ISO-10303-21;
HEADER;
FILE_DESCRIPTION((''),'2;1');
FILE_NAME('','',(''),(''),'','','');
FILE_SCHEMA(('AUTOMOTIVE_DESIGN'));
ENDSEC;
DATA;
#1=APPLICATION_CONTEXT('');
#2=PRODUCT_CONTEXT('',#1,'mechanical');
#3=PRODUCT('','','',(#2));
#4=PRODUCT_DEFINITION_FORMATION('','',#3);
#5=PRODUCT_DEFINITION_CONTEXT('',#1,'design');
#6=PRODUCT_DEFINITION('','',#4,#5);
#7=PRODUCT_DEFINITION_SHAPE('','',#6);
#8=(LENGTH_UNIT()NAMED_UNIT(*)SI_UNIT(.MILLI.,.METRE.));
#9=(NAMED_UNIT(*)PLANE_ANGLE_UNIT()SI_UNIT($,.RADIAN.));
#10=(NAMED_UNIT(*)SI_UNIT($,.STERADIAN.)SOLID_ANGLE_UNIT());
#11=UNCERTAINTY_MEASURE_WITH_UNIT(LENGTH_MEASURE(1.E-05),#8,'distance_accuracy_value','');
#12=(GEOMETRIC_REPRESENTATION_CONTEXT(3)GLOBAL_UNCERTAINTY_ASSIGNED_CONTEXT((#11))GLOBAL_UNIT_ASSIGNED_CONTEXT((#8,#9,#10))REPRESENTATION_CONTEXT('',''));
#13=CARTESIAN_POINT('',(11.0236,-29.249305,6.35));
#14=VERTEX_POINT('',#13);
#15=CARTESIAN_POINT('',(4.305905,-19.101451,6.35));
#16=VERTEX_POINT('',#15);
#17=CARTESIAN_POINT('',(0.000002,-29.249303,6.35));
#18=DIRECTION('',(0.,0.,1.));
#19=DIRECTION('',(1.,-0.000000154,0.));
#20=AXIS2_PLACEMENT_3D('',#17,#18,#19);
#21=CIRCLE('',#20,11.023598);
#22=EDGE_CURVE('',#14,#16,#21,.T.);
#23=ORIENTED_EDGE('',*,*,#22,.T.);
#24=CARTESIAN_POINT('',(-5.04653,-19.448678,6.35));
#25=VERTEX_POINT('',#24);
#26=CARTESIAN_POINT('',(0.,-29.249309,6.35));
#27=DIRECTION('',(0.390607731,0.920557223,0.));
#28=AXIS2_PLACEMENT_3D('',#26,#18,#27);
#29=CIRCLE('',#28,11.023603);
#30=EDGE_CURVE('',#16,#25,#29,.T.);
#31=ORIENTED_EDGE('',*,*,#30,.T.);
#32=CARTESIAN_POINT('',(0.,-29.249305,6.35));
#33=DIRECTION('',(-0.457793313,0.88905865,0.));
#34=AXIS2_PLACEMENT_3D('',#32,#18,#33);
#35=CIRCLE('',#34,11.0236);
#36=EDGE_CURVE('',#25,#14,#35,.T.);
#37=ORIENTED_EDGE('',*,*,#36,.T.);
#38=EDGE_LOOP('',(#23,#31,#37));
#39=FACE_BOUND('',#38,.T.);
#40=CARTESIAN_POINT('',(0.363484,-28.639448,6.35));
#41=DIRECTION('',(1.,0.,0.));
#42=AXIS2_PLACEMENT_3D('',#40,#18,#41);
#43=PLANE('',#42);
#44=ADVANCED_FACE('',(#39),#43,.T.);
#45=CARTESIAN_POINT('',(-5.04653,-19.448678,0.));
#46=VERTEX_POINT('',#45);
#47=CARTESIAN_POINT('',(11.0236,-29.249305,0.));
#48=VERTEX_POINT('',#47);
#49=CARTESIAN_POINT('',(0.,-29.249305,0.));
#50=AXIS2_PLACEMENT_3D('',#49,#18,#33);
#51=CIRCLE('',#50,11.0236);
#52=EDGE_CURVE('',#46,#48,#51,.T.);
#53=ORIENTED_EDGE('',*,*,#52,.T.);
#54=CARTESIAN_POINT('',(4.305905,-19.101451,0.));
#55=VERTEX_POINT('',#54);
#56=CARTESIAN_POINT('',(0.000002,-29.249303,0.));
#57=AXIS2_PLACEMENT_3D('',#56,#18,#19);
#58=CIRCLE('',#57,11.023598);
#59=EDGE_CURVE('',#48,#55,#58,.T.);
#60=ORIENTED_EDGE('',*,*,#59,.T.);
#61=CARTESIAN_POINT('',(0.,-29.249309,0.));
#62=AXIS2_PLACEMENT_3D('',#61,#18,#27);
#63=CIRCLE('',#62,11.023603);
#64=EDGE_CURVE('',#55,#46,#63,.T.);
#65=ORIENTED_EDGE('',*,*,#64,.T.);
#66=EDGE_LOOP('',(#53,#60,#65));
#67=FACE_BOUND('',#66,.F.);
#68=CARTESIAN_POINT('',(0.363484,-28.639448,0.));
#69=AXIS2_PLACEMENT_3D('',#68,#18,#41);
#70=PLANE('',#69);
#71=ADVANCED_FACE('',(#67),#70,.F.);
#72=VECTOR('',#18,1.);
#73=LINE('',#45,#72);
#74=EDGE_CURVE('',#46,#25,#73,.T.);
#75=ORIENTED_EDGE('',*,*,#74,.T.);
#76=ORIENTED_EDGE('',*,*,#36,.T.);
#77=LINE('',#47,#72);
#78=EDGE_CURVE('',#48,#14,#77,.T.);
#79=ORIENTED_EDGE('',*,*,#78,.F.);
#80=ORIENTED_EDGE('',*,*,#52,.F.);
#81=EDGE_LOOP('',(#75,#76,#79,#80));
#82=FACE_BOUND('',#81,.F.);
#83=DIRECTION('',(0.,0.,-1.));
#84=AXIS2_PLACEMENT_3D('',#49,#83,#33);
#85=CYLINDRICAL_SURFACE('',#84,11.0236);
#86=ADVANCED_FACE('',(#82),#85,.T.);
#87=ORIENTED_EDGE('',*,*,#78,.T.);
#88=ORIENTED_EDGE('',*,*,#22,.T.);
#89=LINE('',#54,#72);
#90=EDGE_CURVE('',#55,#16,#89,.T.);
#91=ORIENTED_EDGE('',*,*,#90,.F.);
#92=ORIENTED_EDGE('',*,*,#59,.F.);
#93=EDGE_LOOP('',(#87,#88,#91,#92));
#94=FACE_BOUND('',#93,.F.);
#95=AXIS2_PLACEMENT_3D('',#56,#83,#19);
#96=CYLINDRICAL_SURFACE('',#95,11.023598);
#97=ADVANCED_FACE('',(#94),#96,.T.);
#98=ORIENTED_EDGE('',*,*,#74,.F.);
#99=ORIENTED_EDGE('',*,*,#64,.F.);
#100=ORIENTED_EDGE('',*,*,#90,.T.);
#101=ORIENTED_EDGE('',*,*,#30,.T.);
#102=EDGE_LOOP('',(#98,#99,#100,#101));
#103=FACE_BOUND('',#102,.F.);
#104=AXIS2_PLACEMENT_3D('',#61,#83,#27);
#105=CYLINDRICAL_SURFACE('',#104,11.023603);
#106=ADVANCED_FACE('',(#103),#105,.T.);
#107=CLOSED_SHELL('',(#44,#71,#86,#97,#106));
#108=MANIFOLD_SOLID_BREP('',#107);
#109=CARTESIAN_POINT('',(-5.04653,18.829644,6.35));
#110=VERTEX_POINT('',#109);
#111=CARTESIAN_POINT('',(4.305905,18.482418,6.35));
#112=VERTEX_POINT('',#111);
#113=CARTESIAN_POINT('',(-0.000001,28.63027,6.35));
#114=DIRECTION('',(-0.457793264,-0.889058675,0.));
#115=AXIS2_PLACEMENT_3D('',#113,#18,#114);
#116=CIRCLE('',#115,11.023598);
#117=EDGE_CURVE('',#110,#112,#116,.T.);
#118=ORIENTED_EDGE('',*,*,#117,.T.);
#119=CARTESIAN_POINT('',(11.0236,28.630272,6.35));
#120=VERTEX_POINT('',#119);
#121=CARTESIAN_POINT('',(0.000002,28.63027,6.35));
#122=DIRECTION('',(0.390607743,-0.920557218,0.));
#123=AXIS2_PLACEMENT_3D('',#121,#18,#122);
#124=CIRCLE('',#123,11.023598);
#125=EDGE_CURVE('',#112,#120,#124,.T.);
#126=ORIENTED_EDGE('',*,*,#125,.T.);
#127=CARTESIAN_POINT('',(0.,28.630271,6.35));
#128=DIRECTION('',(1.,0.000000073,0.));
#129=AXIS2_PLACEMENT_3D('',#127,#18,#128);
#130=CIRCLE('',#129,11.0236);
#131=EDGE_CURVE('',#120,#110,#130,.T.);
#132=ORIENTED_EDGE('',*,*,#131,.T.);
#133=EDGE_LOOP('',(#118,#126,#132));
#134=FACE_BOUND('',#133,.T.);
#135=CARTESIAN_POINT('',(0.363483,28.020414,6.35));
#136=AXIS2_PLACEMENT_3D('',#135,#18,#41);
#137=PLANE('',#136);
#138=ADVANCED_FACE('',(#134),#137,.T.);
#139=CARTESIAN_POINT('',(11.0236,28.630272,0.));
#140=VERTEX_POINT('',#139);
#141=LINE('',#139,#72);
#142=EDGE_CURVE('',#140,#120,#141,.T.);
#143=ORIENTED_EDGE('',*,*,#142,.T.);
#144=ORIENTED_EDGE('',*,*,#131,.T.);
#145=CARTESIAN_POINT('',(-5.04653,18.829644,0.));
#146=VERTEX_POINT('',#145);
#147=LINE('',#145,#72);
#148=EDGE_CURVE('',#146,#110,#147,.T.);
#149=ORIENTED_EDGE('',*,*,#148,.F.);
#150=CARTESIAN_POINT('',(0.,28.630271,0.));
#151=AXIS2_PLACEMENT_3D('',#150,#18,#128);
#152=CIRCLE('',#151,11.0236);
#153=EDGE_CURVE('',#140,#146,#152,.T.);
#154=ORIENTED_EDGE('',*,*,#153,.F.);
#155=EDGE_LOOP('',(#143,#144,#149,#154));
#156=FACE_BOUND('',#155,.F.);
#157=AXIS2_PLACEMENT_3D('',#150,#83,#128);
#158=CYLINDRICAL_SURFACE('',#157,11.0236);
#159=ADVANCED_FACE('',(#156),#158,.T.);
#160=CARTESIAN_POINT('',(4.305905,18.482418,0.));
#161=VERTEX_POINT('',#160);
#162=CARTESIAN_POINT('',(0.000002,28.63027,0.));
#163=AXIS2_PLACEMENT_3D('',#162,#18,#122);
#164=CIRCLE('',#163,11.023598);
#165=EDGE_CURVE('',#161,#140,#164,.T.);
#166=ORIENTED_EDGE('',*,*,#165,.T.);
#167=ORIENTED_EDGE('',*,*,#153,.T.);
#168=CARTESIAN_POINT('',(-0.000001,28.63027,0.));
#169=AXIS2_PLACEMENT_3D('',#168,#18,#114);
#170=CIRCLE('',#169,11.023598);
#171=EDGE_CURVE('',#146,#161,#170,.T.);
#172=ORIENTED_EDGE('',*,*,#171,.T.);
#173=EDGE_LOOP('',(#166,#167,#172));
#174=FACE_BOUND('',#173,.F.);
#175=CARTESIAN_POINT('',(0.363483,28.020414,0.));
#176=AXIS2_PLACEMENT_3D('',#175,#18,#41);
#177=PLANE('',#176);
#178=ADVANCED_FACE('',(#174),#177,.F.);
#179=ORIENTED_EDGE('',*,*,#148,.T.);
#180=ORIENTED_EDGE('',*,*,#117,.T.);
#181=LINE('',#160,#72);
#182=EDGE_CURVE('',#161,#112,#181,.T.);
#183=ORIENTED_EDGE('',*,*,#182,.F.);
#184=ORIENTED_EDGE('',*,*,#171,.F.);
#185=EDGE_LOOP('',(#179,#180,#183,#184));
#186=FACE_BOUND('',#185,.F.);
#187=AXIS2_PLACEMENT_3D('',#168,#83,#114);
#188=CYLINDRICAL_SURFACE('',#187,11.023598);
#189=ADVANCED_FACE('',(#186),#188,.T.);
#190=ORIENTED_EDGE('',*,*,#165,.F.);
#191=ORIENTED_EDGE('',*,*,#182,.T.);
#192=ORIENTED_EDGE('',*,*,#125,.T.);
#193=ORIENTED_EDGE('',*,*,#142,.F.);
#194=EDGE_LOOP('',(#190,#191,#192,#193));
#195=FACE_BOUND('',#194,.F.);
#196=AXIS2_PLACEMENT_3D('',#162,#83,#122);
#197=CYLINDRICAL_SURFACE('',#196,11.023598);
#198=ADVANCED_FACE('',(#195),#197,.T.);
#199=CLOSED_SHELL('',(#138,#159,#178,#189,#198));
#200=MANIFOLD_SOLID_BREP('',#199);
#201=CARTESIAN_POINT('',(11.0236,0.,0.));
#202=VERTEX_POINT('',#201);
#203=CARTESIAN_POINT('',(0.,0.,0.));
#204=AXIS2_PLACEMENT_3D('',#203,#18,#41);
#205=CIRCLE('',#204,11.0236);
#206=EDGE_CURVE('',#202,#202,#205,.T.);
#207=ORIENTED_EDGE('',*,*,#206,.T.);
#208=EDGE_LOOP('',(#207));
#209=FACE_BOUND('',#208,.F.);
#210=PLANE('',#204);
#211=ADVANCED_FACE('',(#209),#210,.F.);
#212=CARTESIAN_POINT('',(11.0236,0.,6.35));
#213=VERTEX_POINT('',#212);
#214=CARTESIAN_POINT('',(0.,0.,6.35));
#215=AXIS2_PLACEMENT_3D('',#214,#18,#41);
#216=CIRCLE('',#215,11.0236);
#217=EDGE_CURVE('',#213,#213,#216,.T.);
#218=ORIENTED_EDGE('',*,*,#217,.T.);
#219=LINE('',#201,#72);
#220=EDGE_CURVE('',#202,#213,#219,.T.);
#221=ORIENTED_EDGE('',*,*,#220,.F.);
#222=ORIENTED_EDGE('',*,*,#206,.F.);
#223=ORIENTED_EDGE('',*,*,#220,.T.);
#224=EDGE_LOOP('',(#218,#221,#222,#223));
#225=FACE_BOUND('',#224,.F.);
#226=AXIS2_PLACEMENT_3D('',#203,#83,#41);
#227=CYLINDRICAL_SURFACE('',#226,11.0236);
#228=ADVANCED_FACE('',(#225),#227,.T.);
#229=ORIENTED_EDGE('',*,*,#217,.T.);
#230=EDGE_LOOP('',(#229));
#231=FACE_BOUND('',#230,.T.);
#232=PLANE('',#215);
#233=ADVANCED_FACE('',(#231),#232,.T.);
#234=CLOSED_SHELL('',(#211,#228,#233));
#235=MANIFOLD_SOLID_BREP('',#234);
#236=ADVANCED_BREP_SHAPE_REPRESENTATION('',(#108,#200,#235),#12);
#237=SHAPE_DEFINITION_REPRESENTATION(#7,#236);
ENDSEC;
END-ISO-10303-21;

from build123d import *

# Parameters (mm, degrees)
F0_R     = 11.0236
F2_DEPTH = 6.35


with BuildPart() as f2:
    # F0 (on Top) + F1 (on Top) → F2 (new body)
    with BuildSketch(Plane.XY):
        Circle(F0_R)
    with BuildSketch(Plane.XY):
        with BuildLine():
            ThreePointArc((4.305905, 18.482418), (9.192017, 22.545324), (11.0236, 28.630272))
            ThreePointArc((11.0236, 28.630272), (-5.739722, 38.041719), (-5.04653, 18.829644))
            ThreePointArc((-5.04653, 18.829644), (-0.40899, 17.614261), (4.305905, 18.482418))
        make_face()
        with BuildLine():
            ThreePointArc((-5.04653, -19.448678), (-5.739722, -38.660752), (11.0236, -29.249305))
            ThreePointArc((11.0236, -29.249305), (9.192017, -23.164357), (4.305905, -19.101451))
            ThreePointArc((4.305905, -19.101451), (-0.40899, -18.233295), (-5.04653, -19.448678))
        make_face()
    extrude(amount=F2_DEPTH)


solid = f2.part
